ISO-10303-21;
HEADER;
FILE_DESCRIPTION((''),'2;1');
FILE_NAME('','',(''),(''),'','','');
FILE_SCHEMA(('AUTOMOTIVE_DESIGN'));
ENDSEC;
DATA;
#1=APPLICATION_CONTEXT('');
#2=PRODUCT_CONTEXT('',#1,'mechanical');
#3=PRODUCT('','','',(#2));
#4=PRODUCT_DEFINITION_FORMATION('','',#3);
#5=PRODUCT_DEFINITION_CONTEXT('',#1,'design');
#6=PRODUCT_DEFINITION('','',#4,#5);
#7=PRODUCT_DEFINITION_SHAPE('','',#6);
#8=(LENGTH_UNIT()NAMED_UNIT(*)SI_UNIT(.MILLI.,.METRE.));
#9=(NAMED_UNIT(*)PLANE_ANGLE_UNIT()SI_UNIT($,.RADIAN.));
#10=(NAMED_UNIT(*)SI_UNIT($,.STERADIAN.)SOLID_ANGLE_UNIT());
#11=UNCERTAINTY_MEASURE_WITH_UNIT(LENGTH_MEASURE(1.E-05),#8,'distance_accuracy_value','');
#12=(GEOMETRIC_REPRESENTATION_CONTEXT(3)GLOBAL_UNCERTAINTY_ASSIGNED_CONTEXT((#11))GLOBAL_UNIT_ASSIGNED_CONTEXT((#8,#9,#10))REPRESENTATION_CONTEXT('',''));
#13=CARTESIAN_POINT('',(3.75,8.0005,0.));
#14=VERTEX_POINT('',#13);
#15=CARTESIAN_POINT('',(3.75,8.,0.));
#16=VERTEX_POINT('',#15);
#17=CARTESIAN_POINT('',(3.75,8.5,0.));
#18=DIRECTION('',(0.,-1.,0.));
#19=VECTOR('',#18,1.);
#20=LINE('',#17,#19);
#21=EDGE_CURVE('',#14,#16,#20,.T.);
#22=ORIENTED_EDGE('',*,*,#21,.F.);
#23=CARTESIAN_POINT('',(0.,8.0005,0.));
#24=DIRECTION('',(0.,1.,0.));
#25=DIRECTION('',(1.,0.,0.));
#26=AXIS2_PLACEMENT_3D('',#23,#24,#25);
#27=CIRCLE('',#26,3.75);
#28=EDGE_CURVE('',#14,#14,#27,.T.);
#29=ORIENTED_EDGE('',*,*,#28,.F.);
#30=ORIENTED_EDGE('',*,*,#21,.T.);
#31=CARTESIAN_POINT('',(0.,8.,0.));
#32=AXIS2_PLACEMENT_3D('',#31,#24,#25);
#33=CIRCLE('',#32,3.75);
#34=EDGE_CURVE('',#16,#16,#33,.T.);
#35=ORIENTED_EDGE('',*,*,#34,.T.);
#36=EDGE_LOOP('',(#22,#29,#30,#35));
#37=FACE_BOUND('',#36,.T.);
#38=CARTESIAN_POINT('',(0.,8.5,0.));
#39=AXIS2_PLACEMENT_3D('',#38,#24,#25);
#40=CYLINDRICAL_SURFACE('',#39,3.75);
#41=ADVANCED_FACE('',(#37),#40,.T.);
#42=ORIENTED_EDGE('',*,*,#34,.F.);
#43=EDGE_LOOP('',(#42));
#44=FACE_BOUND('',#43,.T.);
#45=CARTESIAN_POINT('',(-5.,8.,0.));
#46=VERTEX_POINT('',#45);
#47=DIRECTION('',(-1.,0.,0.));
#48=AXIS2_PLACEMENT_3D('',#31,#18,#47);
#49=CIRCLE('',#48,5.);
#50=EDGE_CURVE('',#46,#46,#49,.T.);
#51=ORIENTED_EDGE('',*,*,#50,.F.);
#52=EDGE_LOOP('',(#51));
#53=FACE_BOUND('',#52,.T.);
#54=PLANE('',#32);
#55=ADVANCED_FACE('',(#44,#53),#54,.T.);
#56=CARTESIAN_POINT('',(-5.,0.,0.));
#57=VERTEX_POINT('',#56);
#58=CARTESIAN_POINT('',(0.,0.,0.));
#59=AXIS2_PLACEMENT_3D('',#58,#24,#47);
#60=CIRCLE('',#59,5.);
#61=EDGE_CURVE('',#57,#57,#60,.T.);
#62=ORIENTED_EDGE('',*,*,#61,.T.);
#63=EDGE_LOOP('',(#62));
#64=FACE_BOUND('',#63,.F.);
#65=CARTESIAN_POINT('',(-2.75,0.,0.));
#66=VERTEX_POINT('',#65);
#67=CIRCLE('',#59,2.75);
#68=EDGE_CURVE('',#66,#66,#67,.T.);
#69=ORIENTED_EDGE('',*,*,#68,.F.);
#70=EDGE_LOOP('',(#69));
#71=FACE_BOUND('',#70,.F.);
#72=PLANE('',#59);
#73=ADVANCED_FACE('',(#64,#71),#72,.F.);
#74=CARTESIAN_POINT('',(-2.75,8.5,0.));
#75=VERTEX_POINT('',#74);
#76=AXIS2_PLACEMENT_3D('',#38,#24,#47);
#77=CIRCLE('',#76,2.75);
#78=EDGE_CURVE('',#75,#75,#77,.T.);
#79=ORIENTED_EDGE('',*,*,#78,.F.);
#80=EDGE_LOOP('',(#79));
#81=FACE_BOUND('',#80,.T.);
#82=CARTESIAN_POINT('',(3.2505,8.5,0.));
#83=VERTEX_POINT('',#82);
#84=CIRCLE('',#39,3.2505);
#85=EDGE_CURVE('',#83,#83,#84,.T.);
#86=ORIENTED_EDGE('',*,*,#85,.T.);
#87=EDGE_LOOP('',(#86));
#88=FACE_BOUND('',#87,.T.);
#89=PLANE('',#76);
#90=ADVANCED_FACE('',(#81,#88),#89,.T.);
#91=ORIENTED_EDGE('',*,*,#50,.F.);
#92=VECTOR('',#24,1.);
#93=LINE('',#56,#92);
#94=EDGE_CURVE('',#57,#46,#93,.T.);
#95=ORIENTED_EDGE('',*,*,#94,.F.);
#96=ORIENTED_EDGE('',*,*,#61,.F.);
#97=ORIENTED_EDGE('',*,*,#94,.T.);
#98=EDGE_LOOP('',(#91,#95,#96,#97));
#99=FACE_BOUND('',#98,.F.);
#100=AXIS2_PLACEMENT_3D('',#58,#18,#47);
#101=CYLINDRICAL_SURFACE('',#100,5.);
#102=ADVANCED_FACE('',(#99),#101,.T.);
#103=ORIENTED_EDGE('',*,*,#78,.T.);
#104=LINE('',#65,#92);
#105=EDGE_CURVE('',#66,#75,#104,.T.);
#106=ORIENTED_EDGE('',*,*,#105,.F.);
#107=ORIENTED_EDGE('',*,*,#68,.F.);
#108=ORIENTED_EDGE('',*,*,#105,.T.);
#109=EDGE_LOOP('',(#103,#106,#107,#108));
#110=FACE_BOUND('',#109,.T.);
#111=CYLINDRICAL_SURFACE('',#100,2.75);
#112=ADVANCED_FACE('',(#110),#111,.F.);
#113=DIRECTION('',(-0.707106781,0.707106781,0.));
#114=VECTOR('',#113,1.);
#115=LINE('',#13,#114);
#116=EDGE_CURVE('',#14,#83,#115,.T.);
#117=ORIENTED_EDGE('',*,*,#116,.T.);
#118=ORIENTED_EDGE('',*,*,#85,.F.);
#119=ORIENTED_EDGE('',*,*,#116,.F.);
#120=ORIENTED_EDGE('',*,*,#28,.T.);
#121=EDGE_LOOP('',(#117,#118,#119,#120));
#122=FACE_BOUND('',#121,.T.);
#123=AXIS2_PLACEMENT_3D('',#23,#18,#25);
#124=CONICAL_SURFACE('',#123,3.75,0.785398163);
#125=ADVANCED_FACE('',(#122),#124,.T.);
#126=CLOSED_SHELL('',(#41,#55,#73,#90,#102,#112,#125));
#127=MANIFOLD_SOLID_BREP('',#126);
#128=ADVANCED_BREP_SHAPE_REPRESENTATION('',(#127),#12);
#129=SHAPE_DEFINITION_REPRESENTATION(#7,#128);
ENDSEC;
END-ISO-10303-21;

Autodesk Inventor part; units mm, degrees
ref_plane "YZ Plane" through (0, 0, 0) normal (1, 0, 0) x (0, 1, 0)
ref_plane "XZ Plane" through (0, 0, 0) normal (0, 1, 0) x (-1, 0, 0)
ref_plane "XY Plane" through (0, 0, 0) normal (0, 0, 1) x (1, 0, 0)
sketch "Sketch1" plane through (0, 0, 0) normal (0, 1, 0) x (-1, 0, 0)
  circle A0 centre (0, 0) radius 2.75
  circle A1 centre (0, 0) radius 5
  dimension "d0" = 5.5
  dimension "d1" = 10
extrude "Extrusion1" add sketch "Sketch1" along normal blind 8.5
sketch "Sketch2" plane through (0, 8.5, 0) normal (0, 1, 0) x (1, 0, 0)
  circle A0 centre (0, 0) radius 2.75 projected
  circle A1 centre (0, 0) radius 5 projected
  circle A2 centre (0, 0) radius 3.75
  dimension "d4" = 1
extrude "Extrusion2" cut sketch "Sketch2" against normal blind 0.5 contours A1
chamfer "Chamfer1" distance 0.5 angle 45 1 edges at (-3.75, 8.5, 0)
properties part number "m5_9mm"
